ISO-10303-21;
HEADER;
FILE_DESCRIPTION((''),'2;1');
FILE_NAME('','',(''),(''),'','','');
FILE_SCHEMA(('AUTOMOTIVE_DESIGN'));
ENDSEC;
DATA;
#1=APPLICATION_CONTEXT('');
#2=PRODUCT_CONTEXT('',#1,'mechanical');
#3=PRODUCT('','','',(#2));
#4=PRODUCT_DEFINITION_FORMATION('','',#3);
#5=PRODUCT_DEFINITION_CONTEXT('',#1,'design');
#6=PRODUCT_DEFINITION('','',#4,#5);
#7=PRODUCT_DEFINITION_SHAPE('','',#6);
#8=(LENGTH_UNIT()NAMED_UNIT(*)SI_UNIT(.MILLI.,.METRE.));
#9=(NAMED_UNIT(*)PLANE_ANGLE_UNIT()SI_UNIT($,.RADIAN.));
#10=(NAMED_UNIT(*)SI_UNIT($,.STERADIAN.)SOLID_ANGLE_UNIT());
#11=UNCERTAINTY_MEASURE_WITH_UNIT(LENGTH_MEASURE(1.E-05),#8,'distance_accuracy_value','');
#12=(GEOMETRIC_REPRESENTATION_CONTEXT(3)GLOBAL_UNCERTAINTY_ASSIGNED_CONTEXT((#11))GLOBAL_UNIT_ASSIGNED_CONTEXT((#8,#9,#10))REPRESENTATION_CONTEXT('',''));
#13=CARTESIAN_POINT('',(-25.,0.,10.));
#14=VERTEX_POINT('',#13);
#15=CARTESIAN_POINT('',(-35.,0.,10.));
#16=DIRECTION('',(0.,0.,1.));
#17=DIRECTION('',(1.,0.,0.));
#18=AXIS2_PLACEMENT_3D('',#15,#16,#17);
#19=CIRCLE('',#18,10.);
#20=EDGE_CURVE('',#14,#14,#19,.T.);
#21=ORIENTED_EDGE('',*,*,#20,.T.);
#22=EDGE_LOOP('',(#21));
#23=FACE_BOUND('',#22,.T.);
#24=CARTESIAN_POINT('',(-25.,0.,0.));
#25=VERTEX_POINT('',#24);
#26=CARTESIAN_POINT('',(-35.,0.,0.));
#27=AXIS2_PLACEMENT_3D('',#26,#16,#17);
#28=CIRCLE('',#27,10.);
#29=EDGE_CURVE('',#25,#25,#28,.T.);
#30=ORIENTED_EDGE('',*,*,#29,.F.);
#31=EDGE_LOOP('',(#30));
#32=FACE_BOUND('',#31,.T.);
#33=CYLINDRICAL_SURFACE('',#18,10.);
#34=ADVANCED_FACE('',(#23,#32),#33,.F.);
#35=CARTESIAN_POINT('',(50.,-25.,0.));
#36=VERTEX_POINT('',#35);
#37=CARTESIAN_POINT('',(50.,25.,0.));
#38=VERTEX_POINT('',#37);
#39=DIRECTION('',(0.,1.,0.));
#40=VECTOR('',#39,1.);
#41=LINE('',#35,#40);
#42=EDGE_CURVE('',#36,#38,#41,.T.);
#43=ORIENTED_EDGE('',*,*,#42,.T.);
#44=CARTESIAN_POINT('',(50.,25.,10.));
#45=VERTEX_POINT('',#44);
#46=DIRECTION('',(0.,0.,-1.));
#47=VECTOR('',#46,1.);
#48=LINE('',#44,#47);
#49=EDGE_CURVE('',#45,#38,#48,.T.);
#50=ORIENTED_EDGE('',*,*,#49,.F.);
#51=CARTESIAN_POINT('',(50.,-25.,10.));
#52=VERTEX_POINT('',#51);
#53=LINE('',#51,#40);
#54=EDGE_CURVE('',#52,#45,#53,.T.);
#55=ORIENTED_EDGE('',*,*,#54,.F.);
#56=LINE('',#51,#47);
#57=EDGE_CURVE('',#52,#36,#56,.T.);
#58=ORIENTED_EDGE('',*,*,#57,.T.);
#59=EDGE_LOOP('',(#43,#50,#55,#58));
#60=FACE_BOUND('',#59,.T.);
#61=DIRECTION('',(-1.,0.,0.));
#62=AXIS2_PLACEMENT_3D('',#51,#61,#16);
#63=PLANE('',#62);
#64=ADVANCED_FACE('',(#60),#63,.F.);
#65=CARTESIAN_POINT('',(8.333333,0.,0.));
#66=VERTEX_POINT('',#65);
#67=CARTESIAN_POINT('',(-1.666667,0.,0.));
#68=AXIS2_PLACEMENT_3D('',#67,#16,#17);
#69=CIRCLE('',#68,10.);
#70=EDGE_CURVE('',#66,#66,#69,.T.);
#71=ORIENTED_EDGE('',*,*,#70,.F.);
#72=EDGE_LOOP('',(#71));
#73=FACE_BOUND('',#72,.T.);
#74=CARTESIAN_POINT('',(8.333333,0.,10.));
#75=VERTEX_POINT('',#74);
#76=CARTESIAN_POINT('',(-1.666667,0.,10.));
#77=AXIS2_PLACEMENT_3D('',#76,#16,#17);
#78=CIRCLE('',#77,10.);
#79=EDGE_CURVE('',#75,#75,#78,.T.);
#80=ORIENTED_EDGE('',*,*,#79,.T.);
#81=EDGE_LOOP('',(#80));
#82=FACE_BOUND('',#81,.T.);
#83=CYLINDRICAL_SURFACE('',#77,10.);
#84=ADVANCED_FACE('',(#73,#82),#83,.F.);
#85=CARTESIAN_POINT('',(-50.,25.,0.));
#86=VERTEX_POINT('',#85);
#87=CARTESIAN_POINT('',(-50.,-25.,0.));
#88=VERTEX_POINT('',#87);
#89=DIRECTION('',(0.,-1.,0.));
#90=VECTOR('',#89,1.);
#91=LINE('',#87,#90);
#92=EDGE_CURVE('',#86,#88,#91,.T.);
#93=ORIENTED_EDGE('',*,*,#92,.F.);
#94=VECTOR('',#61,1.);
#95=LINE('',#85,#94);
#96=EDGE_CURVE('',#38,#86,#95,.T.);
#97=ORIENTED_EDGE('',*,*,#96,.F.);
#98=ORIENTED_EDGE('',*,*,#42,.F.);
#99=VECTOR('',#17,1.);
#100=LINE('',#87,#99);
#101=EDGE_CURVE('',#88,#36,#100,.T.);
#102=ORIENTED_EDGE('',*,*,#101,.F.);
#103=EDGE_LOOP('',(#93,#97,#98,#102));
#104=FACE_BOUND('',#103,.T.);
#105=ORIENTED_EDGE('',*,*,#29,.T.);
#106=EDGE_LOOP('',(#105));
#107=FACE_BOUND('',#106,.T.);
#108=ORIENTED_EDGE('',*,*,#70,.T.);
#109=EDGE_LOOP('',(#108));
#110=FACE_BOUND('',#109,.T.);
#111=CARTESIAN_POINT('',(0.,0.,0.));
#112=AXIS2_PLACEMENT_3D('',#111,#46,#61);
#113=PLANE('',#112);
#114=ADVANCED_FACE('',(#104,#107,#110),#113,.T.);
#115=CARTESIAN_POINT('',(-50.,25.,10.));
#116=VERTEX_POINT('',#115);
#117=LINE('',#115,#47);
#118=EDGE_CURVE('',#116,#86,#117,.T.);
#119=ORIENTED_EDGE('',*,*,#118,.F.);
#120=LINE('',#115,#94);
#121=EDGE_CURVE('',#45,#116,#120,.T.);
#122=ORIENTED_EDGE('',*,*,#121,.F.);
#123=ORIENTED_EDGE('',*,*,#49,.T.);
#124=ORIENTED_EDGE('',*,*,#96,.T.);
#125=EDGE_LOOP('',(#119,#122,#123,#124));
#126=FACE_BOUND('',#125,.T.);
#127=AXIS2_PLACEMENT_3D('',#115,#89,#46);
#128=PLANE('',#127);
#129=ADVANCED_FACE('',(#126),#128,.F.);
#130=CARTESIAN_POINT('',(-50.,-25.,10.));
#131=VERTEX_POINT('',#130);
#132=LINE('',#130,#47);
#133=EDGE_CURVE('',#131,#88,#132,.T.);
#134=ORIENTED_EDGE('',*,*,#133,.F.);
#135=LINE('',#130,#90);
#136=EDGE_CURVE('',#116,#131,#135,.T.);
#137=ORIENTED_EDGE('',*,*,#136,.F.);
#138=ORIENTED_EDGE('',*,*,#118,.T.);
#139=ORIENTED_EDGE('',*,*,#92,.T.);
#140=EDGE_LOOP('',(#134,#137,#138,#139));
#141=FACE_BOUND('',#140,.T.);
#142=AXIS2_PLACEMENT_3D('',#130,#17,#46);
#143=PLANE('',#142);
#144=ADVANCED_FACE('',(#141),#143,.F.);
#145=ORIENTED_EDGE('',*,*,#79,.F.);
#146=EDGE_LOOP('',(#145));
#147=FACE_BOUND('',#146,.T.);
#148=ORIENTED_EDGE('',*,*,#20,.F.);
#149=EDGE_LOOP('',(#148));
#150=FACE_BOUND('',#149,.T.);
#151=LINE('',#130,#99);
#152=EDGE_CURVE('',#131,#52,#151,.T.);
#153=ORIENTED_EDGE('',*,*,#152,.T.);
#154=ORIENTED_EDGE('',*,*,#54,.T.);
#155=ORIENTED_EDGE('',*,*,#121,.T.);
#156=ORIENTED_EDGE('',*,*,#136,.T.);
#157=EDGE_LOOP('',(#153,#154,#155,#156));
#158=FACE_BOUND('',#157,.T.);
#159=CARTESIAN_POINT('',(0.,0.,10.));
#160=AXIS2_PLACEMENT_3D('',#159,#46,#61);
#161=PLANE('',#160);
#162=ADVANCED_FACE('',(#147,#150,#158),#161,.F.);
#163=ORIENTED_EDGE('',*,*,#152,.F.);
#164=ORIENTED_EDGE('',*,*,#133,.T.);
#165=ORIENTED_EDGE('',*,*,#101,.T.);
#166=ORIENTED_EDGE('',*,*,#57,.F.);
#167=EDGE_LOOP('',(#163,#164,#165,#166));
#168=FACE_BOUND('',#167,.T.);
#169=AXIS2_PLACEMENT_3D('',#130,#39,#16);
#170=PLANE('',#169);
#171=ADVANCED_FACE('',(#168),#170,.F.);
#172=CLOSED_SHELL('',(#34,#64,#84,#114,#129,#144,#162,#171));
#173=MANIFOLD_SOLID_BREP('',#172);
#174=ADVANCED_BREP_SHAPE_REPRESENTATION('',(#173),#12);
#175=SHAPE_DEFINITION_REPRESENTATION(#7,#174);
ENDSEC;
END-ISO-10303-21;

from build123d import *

# Parameters (mm, degrees)
SKETCH1_W           = 100
SKETCH1_H           = 50
BOSS_EXTRUDE1_DEPTH = 10
LPATTERN1_COUNT     = 2
LPATTERN1_PITCH     = 33.333333333


with BuildPart() as part:
    # Sketch1 → Boss-Extrude1 (new body)
    with BuildSketch(Plane.XY):
        Rectangle(SKETCH1_W, SKETCH1_H)
    extrude(amount=BOSS_EXTRUDE1_DEPTH)

    # Sketch2 → Ø20.0mm Dowel Slot1 (revolve, cut)
    with BuildSketch(Plane(origin=(-35, 0, 10), x_dir=(0, -1, 0), z_dir=(1, 0, 0))):
        Polygon((0, 0), (0, 16.00860619), (10, 10), (10, 0), align=None)
    f_20_0mm_dowel_slot1 = revolve(axis=Axis((-35, 0, 16.35), (0, 0, -1)), mode=Mode.SUBTRACT)

    # LPattern1: Ø20.0mm Dowel Slot1 ×2
    with Locations(*[(i * LPATTERN1_PITCH, 0, 0) for i in range(1, LPATTERN1_COUNT)]):
        add(f_20_0mm_dowel_slot1, mode=Mode.SUBTRACT)


solid = part.part
